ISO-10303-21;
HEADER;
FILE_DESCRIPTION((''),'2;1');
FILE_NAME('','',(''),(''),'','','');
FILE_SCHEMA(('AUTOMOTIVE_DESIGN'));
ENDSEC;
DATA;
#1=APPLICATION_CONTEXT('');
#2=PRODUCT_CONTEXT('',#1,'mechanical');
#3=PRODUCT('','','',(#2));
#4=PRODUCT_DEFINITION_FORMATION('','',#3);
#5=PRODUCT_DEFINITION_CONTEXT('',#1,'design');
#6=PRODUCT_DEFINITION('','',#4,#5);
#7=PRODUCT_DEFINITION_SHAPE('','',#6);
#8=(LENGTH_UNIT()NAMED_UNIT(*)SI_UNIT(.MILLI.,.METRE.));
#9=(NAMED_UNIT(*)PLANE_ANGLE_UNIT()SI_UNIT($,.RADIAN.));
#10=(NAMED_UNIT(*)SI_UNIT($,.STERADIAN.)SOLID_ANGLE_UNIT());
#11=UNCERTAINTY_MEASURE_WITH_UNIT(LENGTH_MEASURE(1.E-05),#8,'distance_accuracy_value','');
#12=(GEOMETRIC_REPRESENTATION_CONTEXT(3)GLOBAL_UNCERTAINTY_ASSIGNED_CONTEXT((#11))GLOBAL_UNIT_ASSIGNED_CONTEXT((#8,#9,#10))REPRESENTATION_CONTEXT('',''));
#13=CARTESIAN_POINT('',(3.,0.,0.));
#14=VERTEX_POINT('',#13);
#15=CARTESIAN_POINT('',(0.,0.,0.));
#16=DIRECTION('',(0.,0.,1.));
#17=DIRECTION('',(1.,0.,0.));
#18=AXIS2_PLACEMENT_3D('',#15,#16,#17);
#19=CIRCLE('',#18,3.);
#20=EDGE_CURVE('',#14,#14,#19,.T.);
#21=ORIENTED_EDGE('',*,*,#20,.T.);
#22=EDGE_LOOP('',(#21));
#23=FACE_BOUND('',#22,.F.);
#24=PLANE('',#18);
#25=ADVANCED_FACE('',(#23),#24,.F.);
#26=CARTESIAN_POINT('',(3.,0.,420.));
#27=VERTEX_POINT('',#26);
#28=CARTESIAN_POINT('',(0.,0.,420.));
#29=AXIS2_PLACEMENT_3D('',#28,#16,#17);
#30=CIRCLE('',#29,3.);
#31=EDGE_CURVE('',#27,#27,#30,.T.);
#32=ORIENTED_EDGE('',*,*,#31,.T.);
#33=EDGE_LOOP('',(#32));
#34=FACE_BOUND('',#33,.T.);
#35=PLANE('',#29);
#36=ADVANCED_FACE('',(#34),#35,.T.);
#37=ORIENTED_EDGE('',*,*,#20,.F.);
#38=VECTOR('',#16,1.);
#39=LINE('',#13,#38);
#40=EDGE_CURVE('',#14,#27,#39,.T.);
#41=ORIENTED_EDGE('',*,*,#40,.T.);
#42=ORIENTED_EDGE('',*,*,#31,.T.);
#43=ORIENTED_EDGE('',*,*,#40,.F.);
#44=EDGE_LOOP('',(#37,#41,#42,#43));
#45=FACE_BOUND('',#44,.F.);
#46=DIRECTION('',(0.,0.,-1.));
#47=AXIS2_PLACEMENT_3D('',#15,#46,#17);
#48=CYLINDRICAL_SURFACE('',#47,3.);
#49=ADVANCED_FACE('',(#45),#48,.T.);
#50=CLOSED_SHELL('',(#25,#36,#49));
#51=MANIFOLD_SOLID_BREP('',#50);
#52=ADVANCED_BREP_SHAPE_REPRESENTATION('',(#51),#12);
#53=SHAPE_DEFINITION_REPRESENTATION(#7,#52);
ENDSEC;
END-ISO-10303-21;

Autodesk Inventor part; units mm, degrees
ref_plane "YZ Plane" through (0, 0, 0) normal (1, 0, 0) x (0, 1, 0)
ref_plane "XZ Plane" through (0, 0, 0) normal (0, 1, 0) x (-1, 0, 0)
ref_plane "XY Plane" through (0, 0, 0) normal (0, 0, 1) x (1, 0, 0)
sketch "Szkic1" plane through (0, 0, 0) normal (0, 0, 1) x (1, 0, 0)
  circle A0 centre (0, 0) radius 3
  dimension "d0" = 6
extrude "Wyciągnięcie proste1" add sketch "Szkic1" along normal blind 420
properties part number "pręt_długi"
